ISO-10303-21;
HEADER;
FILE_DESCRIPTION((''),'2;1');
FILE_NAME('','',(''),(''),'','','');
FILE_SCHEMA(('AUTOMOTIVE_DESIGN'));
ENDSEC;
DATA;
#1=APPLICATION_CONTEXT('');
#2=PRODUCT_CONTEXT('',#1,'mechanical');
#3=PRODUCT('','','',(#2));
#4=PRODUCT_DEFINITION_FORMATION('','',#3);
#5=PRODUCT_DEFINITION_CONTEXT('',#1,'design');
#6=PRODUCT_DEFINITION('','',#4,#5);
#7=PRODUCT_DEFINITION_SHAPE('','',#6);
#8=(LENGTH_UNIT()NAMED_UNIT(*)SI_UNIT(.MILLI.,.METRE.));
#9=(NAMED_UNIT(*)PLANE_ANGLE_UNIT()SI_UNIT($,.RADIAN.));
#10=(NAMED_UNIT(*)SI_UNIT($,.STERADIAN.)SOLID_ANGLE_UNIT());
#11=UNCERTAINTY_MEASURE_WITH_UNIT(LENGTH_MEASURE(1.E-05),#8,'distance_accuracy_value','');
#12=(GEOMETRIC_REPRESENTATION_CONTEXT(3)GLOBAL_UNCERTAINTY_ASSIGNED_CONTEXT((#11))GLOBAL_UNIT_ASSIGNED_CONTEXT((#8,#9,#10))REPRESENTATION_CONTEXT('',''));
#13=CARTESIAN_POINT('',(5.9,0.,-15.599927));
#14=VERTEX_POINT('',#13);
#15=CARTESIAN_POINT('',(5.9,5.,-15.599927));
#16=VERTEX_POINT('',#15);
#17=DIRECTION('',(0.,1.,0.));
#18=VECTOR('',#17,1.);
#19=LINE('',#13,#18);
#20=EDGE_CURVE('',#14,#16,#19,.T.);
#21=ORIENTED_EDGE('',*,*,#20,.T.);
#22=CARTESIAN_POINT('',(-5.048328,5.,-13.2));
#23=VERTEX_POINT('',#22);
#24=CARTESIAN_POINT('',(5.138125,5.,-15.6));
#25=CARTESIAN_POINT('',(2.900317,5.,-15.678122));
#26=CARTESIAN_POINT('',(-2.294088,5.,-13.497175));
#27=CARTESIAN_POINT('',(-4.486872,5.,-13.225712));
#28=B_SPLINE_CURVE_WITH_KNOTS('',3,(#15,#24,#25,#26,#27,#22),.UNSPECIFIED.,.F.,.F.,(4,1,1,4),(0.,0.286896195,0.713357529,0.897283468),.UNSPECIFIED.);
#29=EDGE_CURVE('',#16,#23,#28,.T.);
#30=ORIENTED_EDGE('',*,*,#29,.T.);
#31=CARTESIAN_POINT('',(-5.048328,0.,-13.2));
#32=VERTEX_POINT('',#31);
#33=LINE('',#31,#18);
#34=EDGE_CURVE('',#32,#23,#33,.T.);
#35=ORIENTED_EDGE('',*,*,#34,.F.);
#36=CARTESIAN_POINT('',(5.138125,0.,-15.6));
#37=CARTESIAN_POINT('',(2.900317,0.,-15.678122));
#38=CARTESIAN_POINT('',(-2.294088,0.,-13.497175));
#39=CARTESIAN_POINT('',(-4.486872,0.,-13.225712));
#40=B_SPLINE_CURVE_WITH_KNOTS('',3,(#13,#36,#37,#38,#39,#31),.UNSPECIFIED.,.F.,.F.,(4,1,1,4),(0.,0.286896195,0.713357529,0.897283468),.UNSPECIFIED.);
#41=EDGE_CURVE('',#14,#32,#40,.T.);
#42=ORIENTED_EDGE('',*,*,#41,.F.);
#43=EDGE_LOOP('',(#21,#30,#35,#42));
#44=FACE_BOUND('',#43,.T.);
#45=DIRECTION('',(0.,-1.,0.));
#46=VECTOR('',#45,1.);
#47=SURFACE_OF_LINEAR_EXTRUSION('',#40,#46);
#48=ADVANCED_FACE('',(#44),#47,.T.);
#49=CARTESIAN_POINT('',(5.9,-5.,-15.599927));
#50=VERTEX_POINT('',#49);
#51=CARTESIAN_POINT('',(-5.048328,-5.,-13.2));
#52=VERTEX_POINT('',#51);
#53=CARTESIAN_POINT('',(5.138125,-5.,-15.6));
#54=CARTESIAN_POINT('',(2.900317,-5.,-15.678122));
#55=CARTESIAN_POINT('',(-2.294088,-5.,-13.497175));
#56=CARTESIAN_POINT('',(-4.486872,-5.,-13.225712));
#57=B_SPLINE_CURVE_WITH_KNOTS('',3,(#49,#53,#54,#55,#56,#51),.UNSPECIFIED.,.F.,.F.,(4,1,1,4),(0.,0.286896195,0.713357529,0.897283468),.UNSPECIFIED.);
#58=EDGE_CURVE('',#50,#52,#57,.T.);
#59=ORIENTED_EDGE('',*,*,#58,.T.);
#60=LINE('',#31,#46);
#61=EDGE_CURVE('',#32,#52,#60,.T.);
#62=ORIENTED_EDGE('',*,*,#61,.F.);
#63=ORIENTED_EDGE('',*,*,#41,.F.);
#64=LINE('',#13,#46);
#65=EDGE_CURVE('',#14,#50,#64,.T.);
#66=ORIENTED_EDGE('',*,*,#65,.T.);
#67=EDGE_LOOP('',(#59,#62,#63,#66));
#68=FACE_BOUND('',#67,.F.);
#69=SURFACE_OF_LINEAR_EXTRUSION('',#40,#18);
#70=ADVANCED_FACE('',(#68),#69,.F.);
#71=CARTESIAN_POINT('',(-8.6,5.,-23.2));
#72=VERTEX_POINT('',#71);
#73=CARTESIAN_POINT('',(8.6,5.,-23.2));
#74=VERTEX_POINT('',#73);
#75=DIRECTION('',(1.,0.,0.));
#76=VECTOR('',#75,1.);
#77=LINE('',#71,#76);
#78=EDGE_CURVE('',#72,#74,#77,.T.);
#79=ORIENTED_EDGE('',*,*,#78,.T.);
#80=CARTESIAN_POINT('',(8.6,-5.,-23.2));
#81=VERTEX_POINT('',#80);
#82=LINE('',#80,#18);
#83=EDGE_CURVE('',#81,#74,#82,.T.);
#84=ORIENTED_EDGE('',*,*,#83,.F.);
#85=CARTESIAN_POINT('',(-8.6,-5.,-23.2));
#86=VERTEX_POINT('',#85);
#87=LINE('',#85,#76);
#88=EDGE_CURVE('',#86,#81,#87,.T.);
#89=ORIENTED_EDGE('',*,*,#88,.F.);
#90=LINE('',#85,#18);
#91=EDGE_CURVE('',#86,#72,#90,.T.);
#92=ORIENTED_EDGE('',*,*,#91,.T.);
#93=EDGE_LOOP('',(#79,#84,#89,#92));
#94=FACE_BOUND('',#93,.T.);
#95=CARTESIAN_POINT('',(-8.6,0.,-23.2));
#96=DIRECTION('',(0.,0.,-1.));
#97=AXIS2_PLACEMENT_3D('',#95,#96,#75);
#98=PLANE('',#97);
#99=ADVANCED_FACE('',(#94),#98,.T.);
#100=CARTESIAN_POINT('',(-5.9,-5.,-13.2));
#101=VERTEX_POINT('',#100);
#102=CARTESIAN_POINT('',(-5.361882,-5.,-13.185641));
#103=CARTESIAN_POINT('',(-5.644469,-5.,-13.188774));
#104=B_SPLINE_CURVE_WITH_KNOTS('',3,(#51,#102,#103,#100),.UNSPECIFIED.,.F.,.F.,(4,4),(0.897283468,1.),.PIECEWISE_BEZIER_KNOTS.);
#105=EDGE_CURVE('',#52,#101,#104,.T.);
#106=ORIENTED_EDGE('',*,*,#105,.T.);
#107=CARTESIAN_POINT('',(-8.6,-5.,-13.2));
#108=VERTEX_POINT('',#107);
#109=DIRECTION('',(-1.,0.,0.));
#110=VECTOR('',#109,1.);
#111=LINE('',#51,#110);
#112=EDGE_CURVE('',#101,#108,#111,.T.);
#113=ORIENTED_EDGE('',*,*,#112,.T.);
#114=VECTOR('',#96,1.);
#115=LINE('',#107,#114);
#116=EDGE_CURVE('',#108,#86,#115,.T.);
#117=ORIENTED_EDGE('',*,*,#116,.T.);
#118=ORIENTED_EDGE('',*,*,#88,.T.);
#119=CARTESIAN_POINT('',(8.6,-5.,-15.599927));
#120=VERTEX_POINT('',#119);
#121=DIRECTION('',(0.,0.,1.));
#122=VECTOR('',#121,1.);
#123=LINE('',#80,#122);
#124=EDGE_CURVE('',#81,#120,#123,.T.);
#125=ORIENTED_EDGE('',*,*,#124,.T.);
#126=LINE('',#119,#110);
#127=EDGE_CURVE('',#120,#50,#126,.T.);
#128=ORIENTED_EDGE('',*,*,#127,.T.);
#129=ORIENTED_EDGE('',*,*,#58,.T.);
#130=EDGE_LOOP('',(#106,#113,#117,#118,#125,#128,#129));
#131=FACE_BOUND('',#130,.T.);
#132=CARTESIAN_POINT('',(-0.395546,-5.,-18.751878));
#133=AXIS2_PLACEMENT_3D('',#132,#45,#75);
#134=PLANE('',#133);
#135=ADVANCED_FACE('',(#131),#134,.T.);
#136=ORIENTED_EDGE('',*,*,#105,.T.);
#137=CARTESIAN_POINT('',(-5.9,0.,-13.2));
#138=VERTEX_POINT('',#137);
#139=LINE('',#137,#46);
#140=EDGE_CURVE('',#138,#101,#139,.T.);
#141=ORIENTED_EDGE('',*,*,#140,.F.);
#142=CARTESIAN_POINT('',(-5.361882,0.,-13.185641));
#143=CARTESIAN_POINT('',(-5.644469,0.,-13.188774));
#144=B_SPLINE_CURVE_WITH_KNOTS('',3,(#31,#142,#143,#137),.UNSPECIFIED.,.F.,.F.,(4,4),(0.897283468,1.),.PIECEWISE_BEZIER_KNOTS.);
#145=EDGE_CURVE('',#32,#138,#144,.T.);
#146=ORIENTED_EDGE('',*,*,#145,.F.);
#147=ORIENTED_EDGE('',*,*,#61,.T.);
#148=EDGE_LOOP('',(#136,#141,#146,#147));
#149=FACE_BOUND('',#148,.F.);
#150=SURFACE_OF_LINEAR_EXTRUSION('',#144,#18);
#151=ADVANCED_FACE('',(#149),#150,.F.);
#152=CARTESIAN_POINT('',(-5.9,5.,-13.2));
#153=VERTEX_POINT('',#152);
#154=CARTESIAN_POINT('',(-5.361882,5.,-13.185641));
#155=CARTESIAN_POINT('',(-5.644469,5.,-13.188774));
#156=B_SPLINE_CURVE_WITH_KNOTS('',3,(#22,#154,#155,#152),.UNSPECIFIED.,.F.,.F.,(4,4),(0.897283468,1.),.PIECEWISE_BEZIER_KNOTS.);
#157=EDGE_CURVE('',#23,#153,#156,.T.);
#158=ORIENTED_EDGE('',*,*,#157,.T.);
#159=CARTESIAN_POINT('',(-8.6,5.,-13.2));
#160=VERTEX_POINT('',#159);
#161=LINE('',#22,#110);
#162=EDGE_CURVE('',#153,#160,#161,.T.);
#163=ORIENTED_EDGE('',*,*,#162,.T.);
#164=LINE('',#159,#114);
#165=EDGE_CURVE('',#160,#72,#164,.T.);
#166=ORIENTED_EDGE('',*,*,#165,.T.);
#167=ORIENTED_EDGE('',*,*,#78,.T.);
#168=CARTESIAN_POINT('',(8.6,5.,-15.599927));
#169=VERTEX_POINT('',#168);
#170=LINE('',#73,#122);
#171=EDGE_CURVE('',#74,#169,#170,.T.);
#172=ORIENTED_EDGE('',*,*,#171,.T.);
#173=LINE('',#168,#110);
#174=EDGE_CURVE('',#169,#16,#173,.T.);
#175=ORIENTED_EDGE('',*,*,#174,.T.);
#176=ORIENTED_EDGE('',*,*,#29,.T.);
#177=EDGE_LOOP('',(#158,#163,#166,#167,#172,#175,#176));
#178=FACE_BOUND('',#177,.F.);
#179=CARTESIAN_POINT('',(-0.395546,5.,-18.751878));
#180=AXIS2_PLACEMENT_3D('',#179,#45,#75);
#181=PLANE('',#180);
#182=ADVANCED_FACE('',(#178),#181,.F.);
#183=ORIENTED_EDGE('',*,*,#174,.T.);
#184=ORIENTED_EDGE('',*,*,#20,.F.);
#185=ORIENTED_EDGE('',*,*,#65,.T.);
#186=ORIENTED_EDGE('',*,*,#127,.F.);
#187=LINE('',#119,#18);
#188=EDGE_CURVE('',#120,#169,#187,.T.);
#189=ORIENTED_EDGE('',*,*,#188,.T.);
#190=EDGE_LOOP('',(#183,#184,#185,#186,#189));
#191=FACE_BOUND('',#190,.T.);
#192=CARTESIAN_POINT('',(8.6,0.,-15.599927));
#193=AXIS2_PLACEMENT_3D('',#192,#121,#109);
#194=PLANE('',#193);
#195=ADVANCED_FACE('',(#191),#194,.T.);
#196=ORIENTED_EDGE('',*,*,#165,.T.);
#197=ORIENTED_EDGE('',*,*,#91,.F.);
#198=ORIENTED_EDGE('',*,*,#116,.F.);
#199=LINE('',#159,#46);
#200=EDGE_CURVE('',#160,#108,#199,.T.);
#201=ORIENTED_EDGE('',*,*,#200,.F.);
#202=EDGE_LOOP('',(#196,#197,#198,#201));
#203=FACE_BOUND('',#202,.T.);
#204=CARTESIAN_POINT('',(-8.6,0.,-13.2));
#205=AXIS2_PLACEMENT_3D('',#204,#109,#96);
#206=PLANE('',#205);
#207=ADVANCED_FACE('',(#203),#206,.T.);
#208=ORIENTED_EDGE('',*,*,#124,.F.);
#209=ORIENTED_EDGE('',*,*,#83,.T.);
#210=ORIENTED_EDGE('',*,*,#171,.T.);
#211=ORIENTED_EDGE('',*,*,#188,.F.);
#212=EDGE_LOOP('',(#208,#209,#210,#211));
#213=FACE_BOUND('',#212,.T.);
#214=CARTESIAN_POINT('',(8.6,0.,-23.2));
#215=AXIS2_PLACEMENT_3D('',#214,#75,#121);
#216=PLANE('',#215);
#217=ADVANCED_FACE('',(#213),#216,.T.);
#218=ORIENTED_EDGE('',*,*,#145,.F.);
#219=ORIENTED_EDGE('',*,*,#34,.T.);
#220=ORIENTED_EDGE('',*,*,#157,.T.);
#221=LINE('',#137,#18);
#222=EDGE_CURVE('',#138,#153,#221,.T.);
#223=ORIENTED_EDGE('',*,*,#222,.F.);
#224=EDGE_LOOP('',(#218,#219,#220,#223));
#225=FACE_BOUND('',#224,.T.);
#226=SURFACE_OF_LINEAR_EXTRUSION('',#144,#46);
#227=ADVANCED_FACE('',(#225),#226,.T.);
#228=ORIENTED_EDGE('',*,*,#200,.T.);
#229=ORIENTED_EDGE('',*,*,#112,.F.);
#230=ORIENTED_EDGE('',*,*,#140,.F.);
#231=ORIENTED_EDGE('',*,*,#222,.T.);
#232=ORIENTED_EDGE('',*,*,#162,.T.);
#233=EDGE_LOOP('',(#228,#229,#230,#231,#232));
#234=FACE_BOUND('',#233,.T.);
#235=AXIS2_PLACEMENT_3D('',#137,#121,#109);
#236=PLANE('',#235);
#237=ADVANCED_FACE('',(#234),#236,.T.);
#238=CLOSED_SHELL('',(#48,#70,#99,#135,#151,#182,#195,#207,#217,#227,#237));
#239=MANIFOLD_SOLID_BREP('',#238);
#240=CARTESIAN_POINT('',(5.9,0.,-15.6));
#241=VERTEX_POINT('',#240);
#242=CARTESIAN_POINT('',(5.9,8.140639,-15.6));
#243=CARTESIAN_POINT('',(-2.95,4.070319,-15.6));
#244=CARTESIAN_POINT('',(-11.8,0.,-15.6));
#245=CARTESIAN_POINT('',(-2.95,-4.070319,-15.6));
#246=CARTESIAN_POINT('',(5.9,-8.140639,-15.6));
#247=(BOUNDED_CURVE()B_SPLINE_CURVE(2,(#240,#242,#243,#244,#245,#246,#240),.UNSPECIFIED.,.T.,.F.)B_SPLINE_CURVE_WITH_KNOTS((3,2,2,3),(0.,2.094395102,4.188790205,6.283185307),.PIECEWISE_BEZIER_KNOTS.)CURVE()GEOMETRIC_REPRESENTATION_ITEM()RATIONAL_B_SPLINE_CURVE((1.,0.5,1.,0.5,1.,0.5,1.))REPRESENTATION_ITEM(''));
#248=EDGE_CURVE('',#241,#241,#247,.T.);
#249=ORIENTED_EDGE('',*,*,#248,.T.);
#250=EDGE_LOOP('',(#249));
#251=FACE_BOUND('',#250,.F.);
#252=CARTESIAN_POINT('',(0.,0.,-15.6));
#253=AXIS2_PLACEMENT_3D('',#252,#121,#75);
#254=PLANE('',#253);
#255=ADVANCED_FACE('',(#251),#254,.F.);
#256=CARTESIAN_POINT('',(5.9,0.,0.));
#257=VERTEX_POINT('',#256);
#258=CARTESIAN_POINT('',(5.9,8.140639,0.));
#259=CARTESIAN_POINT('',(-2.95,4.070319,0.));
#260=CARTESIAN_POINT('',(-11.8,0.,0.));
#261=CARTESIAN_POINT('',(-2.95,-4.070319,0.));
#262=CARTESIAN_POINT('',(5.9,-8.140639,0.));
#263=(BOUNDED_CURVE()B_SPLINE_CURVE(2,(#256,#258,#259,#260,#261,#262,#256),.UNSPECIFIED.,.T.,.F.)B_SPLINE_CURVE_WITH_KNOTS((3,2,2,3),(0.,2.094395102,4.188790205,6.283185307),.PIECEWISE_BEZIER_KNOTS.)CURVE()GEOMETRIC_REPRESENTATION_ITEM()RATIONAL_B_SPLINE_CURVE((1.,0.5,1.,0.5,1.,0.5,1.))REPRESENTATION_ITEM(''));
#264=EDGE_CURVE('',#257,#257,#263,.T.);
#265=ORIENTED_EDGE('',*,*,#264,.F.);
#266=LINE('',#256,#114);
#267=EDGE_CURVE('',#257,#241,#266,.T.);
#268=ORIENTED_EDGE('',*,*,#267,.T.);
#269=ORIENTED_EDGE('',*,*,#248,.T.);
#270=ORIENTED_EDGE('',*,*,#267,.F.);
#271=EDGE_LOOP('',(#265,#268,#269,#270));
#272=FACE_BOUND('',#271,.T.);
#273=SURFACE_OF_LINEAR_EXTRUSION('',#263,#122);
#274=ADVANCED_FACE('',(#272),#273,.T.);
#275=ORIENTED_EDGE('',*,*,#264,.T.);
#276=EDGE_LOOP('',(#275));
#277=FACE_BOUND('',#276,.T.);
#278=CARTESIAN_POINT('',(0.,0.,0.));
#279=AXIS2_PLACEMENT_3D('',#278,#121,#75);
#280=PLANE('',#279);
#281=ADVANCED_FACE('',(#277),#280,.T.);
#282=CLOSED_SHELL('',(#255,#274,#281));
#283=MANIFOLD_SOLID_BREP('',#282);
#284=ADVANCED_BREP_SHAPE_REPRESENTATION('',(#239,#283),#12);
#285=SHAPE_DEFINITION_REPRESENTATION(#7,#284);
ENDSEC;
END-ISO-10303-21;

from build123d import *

# Parameters (mm, degrees)
F1_DEPTH = 15.6
F3_DEPTH = 5


with BuildPart() as f1:
    # F0 (on Top) → F1 (new body)
    with BuildSketch(Plane.XY):
        with BuildLine():
            add(Edge.make_bspline(
                [(5.9, 0), (5.9, 8.1406387956), (-2.95, 4.0703193978), (-11.8, 0), (-2.95, -4.0703193978), (5.9, -8.1406387956), (5.9, 0)],
                knots=[0, 0, 0, 2.0943951024, 2.0943951024, 4.1887902048, 4.1887902048, 6.2831853072, 6.2831853072, 6.2831853072], degree=2, weights=[1, 0.5, 1, 0.5, 1, 0.5, 1]))
        make_face()
    extrude(amount=-F1_DEPTH)


with BuildPart() as f3:
    # F2 (on Front) → F3 (new body, symmetric)
    with BuildSketch(Plane.XZ):
        with BuildLine():
            Line((8.6, -15.5999266599), (5.9, -15.5999266599))
            add(Edge.make_bspline(
                [(5.9, -15.5999266599), (5.1381250825, -15.6), (2.9003170717, -15.6781224351), (-2.2940876129, -13.4971751275), (-4.4868722131, -13.2257117797), (-5.0483275681, -13.2)],
                knots=[0, 0, 0, 0, 0.2868961947, 0.7133575292, 0.8972834683, 0.8972834683, 0.8972834683, 0.8972834683], degree=3))
            Line((-5.0483275681, -13.2), (-5.9, -13.2))
            Line((-5.9, -13.2), (-8.6, -13.2))
            Line((-8.6, -13.2), (-8.6, -23.2))
            Line((-8.6, -23.2), (8.6, -23.2))
            Line((8.6, -23.2), (8.6, -15.5999266599))
        make_face()
        with BuildLine():
            Line((-5.9, -13.2), (-5.0483275681, -13.2))
            add(Edge.make_bspline(
                [(-5.0483275681, -13.2), (-5.3618817466, -13.1856408245), (-5.6444691473, -13.1887744637), (-5.9, -13.2)],
                knots=[0.8972834683, 0.8972834683, 0.8972834683, 0.8972834683, 1, 1, 1, 1], degree=3))
        make_face()
    extrude(amount=F3_DEPTH, both=True)


solid = Compound([f1.part, f3.part])
